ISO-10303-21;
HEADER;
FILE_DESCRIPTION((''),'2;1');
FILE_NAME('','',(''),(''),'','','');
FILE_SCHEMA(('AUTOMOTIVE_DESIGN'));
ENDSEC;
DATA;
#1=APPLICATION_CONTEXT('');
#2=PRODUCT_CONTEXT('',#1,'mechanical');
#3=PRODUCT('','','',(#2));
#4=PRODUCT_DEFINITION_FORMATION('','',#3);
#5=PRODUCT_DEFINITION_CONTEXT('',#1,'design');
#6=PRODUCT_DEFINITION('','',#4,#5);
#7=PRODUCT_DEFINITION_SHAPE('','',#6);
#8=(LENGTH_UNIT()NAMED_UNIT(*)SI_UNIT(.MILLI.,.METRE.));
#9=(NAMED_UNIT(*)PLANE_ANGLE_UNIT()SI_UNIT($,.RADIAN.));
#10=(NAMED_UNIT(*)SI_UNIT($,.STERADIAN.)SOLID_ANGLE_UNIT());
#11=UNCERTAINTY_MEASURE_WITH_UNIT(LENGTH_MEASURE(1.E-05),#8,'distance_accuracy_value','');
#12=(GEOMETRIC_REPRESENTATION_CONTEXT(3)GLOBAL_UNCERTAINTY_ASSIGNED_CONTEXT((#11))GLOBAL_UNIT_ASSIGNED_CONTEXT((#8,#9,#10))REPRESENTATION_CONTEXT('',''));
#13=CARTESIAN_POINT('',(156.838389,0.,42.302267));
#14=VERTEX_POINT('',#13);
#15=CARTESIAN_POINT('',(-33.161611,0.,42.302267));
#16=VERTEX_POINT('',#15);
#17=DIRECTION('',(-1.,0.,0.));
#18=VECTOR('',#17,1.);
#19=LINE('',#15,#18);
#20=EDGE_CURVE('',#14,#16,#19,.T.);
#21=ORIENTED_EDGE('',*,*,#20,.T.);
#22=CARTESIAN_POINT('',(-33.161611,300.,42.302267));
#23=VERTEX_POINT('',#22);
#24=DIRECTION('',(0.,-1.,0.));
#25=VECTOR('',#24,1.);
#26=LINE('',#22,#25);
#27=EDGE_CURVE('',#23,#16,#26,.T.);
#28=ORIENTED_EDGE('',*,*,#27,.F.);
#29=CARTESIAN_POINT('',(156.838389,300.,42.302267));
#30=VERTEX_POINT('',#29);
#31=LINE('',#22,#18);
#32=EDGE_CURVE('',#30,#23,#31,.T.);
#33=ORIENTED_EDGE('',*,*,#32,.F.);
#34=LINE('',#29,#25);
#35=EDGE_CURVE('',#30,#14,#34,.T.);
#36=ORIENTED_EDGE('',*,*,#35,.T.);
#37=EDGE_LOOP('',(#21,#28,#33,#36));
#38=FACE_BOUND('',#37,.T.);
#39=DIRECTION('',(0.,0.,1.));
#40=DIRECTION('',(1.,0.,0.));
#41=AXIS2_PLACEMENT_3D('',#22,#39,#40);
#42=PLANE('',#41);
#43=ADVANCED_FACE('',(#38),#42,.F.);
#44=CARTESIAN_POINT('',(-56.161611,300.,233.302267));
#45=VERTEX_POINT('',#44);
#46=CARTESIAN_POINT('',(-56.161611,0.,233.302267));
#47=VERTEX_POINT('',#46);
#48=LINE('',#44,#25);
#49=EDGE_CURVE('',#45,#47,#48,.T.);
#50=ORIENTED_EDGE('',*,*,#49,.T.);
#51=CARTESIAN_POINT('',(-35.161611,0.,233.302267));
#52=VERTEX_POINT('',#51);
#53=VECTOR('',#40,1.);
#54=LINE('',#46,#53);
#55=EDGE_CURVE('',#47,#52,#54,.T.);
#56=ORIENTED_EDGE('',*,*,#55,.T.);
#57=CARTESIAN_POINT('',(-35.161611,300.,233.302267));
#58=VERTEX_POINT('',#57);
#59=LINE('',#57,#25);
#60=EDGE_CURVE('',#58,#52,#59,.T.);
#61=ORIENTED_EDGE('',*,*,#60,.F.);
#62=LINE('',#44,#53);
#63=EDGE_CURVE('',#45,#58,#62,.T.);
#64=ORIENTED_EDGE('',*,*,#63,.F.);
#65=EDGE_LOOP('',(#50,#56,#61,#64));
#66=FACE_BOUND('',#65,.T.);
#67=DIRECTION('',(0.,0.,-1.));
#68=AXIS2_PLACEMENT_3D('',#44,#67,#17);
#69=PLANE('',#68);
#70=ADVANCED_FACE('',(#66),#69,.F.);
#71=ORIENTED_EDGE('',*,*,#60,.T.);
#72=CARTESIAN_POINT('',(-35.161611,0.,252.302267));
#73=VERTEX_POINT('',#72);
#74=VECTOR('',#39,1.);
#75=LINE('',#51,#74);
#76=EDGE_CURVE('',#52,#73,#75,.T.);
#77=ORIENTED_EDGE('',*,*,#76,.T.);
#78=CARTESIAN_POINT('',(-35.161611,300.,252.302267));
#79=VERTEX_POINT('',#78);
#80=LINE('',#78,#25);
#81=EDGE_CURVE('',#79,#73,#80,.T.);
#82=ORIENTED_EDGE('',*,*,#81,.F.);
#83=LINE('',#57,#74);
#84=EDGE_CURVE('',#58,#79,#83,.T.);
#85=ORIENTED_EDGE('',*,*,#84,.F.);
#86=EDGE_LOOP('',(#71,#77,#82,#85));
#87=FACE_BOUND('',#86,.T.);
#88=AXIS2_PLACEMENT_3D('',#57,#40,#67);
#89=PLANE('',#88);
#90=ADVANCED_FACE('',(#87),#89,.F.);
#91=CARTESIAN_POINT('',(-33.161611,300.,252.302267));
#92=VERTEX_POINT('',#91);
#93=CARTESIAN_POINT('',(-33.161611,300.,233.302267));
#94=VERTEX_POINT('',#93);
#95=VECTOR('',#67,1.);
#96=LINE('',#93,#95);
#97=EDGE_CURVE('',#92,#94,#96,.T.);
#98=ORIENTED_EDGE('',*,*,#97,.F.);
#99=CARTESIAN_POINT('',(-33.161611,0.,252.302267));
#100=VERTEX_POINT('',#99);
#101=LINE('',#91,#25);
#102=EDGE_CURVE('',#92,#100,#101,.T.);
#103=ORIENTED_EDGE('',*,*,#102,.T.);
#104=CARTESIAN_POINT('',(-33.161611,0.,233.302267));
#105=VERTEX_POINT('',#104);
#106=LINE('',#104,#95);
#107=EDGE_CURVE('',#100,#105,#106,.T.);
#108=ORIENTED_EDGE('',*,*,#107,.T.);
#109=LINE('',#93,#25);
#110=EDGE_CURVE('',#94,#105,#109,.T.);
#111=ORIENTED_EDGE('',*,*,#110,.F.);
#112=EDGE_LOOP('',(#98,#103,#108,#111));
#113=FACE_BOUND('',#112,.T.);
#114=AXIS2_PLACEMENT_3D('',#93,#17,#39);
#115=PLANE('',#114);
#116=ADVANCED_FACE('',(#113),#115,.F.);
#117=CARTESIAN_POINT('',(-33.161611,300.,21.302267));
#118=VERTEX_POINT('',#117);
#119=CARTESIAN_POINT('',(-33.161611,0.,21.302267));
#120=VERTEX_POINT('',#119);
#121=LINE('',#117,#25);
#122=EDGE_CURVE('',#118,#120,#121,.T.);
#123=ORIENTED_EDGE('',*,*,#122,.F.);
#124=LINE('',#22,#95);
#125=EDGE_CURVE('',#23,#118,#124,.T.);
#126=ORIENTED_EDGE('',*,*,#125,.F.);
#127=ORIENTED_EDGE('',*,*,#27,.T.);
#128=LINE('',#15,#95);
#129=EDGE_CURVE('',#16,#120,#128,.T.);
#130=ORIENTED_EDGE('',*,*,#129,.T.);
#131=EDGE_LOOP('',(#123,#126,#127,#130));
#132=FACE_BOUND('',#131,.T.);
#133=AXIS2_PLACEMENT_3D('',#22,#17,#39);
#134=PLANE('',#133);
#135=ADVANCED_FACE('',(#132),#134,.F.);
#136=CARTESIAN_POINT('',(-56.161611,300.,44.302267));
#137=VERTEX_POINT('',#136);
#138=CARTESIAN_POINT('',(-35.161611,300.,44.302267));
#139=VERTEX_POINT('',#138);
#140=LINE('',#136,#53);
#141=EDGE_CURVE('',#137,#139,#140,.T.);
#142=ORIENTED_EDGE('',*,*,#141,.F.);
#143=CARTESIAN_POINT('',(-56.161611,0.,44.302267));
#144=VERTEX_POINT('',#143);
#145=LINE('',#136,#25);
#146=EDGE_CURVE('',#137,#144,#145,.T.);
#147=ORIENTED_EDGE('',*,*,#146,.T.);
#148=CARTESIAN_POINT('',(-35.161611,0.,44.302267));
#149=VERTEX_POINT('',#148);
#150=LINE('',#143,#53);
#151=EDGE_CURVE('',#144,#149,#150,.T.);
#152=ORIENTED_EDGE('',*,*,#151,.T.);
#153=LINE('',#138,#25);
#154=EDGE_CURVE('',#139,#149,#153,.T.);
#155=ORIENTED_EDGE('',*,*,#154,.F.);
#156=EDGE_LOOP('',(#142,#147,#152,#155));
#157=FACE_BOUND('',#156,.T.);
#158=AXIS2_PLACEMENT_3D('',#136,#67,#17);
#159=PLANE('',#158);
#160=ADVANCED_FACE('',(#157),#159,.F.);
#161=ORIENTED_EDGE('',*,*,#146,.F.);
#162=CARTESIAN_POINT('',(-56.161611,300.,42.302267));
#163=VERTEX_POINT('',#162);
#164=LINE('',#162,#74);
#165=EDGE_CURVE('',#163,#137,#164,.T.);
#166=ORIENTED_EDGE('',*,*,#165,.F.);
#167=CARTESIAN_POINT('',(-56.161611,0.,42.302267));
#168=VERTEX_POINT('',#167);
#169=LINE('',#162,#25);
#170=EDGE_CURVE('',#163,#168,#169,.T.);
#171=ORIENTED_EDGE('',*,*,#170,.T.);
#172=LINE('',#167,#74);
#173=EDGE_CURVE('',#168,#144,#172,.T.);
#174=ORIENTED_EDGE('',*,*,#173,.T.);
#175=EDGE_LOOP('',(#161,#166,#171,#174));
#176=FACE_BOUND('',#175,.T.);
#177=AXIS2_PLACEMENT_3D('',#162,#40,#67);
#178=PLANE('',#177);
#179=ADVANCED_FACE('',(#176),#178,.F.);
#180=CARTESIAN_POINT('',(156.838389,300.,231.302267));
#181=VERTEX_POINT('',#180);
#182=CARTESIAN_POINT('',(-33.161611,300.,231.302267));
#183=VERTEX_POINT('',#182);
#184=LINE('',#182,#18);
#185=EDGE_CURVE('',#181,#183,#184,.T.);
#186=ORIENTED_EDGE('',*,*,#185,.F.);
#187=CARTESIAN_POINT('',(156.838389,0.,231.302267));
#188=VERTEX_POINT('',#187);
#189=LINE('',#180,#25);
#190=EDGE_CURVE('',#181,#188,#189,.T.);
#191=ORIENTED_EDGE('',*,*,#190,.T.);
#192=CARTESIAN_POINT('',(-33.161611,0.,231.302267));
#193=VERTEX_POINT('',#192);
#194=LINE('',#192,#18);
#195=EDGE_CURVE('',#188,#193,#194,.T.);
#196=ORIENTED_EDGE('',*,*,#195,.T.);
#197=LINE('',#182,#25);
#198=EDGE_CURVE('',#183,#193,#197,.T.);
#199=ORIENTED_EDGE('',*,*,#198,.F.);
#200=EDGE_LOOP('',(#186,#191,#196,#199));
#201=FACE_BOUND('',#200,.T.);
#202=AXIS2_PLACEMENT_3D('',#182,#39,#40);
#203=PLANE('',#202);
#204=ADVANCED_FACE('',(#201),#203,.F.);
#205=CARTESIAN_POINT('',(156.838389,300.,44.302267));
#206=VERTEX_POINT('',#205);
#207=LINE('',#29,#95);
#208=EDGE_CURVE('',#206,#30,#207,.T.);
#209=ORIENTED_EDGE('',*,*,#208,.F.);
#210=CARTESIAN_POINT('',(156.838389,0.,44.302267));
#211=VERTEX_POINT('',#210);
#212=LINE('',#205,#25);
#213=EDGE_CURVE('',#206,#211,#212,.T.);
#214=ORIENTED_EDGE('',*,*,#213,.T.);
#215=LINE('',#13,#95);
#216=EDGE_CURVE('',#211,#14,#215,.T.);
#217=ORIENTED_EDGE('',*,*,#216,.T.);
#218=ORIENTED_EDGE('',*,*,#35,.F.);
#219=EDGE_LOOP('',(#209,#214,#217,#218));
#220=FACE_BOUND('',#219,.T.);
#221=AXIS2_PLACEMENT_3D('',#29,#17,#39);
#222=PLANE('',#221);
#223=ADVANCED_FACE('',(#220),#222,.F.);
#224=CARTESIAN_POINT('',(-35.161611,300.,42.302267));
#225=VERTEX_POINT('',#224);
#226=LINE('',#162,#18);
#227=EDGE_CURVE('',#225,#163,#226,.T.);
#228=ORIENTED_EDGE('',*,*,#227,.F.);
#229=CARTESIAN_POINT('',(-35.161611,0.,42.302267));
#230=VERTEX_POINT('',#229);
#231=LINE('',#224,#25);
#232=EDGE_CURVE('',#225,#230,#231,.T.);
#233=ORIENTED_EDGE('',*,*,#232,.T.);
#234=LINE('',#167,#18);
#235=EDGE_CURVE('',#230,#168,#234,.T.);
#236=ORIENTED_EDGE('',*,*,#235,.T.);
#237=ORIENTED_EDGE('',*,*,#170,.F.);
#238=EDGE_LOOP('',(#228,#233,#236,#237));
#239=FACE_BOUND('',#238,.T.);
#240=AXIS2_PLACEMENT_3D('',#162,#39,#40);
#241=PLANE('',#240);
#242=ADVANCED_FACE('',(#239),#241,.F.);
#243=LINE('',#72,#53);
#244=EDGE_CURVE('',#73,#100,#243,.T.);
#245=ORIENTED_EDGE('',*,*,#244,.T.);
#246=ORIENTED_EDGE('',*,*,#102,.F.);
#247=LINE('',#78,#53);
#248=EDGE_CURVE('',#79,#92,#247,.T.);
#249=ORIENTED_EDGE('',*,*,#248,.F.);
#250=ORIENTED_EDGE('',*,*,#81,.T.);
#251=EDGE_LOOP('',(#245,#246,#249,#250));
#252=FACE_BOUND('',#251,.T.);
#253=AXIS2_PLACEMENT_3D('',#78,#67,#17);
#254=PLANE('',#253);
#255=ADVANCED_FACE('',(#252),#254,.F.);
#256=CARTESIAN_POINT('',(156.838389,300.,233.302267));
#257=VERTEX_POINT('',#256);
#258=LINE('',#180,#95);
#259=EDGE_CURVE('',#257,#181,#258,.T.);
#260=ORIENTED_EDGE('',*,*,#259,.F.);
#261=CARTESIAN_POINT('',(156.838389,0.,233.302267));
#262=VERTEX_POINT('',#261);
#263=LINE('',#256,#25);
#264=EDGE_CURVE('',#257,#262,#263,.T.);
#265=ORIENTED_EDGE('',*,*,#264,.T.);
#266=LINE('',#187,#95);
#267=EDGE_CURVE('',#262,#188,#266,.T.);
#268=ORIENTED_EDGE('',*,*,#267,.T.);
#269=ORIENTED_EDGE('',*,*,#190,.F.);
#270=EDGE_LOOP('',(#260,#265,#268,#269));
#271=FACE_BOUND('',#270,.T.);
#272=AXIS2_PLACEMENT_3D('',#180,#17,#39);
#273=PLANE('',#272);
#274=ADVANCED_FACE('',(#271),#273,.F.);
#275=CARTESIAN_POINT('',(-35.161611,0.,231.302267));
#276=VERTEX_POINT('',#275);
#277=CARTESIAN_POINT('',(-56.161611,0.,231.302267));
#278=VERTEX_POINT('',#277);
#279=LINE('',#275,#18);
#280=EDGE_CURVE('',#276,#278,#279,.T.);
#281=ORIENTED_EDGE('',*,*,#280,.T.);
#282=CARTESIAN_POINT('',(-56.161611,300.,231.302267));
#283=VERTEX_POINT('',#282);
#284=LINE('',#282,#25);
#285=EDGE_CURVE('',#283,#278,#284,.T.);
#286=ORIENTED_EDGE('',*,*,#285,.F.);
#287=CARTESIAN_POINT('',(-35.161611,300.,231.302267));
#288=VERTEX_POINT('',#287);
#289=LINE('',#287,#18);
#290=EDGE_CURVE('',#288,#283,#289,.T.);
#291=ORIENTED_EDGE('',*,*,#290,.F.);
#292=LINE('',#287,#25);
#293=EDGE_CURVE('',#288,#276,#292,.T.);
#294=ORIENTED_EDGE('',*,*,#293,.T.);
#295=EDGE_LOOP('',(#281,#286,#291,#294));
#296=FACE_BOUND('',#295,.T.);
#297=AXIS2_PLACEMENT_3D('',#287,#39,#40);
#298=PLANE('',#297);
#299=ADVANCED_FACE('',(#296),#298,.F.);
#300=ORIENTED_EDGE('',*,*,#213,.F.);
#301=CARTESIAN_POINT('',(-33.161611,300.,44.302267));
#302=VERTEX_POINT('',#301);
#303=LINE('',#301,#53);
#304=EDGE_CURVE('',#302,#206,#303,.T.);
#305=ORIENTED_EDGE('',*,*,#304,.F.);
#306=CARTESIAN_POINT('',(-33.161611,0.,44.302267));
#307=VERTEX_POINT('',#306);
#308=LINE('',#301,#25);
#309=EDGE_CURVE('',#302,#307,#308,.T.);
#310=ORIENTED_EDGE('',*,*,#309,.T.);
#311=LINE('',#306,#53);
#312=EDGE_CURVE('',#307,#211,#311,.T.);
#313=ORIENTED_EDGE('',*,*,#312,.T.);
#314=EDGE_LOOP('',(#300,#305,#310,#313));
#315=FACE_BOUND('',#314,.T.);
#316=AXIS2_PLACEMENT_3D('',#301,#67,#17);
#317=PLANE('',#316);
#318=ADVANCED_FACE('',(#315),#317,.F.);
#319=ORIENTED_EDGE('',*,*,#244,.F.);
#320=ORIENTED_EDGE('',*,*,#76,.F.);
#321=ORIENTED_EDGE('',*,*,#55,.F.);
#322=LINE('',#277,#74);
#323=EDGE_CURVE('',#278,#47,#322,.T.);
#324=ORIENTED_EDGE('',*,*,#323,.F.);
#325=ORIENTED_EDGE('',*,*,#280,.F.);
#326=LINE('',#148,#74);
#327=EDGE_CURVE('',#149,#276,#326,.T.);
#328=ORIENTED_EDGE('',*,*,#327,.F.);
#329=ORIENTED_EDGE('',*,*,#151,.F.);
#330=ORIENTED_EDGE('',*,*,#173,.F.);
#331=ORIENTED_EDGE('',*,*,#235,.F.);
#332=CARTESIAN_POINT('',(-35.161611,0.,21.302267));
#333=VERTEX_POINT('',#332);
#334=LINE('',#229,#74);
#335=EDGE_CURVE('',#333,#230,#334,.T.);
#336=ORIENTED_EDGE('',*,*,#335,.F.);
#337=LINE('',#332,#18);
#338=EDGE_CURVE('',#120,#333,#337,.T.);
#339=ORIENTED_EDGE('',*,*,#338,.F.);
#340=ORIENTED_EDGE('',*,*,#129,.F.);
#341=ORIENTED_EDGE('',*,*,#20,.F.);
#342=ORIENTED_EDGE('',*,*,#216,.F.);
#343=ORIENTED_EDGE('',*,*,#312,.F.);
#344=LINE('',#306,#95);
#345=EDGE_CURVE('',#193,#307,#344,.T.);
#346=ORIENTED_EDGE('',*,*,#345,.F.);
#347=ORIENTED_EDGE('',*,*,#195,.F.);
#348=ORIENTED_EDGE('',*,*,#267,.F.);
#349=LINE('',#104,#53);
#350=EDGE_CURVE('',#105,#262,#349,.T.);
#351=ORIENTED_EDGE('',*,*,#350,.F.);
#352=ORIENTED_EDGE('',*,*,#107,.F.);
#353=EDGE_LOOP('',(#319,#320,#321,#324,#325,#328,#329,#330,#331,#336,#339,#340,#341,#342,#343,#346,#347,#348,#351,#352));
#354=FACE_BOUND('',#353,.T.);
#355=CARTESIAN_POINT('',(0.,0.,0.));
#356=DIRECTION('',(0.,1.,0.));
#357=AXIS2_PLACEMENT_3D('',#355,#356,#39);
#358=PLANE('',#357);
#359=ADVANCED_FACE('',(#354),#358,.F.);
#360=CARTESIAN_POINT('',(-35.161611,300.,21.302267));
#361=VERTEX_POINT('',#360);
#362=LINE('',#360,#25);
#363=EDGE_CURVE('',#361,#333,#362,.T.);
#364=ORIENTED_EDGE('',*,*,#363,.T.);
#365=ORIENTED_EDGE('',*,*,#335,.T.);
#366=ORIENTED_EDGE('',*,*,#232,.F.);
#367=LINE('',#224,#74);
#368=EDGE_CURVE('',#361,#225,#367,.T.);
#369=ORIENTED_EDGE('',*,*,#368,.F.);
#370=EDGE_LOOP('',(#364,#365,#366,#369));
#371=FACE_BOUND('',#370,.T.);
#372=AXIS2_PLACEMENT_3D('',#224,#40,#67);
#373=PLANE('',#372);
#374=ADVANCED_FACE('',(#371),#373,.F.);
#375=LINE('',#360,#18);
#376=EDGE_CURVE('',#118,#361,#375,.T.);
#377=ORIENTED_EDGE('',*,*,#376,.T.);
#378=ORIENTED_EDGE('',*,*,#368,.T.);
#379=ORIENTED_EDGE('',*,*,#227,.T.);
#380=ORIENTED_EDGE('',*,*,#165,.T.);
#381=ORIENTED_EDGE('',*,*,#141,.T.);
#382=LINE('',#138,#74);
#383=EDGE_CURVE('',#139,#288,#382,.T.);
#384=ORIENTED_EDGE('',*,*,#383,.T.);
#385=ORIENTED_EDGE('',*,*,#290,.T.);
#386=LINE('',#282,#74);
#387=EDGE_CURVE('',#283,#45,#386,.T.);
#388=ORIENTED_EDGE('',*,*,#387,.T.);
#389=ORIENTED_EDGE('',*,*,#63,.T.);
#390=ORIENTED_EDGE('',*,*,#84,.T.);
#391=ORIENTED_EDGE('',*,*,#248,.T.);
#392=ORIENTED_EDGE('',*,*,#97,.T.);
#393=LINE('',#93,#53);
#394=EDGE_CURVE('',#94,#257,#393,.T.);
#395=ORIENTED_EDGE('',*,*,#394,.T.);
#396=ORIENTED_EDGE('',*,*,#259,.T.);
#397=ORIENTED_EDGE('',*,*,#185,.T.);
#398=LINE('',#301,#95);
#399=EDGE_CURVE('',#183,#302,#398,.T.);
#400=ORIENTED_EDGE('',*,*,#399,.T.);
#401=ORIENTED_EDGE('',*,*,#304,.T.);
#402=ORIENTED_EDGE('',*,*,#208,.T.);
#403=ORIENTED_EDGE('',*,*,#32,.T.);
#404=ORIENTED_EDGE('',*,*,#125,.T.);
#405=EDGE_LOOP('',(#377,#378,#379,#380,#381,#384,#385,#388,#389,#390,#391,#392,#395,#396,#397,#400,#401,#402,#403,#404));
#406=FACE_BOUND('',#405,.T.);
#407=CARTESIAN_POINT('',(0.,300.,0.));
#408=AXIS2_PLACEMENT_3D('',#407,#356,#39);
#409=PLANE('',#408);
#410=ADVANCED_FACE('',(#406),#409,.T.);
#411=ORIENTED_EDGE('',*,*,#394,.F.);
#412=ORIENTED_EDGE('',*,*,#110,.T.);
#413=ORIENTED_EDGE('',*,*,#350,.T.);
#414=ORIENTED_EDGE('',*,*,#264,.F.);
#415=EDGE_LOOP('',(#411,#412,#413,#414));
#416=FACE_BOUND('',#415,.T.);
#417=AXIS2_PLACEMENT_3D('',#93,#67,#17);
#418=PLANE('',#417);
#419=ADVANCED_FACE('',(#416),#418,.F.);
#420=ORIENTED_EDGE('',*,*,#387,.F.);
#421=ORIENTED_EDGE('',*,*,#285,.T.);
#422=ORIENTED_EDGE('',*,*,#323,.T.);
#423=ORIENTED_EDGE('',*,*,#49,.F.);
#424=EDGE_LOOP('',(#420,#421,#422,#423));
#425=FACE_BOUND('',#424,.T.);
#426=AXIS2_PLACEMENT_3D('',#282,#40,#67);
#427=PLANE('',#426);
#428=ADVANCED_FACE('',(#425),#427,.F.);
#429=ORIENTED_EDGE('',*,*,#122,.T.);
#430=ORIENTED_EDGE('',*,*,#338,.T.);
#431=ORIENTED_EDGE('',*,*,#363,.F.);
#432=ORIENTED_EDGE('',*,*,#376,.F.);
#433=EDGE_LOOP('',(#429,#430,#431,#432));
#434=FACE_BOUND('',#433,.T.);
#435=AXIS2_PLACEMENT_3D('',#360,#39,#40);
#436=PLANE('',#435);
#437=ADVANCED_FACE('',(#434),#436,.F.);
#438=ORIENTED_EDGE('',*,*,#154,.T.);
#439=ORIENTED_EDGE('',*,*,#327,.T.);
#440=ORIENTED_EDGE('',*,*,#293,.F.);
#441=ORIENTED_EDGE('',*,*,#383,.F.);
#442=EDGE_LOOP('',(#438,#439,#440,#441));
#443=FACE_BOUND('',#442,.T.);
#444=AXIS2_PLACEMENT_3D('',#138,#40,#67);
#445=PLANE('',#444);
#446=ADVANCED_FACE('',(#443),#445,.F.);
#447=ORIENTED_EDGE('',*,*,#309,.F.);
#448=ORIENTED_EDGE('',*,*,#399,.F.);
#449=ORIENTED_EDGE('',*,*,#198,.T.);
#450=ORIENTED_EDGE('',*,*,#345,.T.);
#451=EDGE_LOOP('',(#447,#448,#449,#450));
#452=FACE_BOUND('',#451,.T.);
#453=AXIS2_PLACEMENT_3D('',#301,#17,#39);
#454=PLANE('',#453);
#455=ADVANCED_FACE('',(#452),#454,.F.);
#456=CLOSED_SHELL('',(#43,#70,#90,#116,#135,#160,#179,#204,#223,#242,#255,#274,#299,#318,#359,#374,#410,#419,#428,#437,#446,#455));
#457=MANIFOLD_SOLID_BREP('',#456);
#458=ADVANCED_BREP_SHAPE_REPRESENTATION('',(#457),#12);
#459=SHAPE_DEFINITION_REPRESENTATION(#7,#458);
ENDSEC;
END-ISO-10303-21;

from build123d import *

# Parameters (mm, degrees)
BOSS_EXTRUDE1_DEPTH = 300


with BuildPart() as part:
    # Sketch1 → Boss-Extrude1 (new body)
    with BuildSketch(Plane(origin=(0, 0, 0), x_dir=(1, 0, 0), z_dir=(0, 1, 0))):
        Polygon((-56.161611152, -42.302266887), (-35.161611152, -42.302266887), (-35.161611152, -21.302266887), (-33.161611152, -21.302266887), (-33.161611152, -42.302266887), (156.838388848, -42.302266887), (156.838388848, -44.302266887), (-33.161611152, -44.302266887), (-33.161611152, -231.302266887), (156.838388848, -231.302266887), (156.838388848, -233.302266887), (-33.161611152, -233.302266887), (-33.161611152, -252.302266887), (-35.161611152, -252.302266887), (-35.161611152, -233.302266887), (-56.161611152, -233.302266887), (-56.161611152, -231.302266887), (-35.161611152, -231.302266887), (-35.161611152, -44.302266887), (-56.161611152, -44.302266887), align=None)
    extrude(amount=BOSS_EXTRUDE1_DEPTH)


solid = part.part
